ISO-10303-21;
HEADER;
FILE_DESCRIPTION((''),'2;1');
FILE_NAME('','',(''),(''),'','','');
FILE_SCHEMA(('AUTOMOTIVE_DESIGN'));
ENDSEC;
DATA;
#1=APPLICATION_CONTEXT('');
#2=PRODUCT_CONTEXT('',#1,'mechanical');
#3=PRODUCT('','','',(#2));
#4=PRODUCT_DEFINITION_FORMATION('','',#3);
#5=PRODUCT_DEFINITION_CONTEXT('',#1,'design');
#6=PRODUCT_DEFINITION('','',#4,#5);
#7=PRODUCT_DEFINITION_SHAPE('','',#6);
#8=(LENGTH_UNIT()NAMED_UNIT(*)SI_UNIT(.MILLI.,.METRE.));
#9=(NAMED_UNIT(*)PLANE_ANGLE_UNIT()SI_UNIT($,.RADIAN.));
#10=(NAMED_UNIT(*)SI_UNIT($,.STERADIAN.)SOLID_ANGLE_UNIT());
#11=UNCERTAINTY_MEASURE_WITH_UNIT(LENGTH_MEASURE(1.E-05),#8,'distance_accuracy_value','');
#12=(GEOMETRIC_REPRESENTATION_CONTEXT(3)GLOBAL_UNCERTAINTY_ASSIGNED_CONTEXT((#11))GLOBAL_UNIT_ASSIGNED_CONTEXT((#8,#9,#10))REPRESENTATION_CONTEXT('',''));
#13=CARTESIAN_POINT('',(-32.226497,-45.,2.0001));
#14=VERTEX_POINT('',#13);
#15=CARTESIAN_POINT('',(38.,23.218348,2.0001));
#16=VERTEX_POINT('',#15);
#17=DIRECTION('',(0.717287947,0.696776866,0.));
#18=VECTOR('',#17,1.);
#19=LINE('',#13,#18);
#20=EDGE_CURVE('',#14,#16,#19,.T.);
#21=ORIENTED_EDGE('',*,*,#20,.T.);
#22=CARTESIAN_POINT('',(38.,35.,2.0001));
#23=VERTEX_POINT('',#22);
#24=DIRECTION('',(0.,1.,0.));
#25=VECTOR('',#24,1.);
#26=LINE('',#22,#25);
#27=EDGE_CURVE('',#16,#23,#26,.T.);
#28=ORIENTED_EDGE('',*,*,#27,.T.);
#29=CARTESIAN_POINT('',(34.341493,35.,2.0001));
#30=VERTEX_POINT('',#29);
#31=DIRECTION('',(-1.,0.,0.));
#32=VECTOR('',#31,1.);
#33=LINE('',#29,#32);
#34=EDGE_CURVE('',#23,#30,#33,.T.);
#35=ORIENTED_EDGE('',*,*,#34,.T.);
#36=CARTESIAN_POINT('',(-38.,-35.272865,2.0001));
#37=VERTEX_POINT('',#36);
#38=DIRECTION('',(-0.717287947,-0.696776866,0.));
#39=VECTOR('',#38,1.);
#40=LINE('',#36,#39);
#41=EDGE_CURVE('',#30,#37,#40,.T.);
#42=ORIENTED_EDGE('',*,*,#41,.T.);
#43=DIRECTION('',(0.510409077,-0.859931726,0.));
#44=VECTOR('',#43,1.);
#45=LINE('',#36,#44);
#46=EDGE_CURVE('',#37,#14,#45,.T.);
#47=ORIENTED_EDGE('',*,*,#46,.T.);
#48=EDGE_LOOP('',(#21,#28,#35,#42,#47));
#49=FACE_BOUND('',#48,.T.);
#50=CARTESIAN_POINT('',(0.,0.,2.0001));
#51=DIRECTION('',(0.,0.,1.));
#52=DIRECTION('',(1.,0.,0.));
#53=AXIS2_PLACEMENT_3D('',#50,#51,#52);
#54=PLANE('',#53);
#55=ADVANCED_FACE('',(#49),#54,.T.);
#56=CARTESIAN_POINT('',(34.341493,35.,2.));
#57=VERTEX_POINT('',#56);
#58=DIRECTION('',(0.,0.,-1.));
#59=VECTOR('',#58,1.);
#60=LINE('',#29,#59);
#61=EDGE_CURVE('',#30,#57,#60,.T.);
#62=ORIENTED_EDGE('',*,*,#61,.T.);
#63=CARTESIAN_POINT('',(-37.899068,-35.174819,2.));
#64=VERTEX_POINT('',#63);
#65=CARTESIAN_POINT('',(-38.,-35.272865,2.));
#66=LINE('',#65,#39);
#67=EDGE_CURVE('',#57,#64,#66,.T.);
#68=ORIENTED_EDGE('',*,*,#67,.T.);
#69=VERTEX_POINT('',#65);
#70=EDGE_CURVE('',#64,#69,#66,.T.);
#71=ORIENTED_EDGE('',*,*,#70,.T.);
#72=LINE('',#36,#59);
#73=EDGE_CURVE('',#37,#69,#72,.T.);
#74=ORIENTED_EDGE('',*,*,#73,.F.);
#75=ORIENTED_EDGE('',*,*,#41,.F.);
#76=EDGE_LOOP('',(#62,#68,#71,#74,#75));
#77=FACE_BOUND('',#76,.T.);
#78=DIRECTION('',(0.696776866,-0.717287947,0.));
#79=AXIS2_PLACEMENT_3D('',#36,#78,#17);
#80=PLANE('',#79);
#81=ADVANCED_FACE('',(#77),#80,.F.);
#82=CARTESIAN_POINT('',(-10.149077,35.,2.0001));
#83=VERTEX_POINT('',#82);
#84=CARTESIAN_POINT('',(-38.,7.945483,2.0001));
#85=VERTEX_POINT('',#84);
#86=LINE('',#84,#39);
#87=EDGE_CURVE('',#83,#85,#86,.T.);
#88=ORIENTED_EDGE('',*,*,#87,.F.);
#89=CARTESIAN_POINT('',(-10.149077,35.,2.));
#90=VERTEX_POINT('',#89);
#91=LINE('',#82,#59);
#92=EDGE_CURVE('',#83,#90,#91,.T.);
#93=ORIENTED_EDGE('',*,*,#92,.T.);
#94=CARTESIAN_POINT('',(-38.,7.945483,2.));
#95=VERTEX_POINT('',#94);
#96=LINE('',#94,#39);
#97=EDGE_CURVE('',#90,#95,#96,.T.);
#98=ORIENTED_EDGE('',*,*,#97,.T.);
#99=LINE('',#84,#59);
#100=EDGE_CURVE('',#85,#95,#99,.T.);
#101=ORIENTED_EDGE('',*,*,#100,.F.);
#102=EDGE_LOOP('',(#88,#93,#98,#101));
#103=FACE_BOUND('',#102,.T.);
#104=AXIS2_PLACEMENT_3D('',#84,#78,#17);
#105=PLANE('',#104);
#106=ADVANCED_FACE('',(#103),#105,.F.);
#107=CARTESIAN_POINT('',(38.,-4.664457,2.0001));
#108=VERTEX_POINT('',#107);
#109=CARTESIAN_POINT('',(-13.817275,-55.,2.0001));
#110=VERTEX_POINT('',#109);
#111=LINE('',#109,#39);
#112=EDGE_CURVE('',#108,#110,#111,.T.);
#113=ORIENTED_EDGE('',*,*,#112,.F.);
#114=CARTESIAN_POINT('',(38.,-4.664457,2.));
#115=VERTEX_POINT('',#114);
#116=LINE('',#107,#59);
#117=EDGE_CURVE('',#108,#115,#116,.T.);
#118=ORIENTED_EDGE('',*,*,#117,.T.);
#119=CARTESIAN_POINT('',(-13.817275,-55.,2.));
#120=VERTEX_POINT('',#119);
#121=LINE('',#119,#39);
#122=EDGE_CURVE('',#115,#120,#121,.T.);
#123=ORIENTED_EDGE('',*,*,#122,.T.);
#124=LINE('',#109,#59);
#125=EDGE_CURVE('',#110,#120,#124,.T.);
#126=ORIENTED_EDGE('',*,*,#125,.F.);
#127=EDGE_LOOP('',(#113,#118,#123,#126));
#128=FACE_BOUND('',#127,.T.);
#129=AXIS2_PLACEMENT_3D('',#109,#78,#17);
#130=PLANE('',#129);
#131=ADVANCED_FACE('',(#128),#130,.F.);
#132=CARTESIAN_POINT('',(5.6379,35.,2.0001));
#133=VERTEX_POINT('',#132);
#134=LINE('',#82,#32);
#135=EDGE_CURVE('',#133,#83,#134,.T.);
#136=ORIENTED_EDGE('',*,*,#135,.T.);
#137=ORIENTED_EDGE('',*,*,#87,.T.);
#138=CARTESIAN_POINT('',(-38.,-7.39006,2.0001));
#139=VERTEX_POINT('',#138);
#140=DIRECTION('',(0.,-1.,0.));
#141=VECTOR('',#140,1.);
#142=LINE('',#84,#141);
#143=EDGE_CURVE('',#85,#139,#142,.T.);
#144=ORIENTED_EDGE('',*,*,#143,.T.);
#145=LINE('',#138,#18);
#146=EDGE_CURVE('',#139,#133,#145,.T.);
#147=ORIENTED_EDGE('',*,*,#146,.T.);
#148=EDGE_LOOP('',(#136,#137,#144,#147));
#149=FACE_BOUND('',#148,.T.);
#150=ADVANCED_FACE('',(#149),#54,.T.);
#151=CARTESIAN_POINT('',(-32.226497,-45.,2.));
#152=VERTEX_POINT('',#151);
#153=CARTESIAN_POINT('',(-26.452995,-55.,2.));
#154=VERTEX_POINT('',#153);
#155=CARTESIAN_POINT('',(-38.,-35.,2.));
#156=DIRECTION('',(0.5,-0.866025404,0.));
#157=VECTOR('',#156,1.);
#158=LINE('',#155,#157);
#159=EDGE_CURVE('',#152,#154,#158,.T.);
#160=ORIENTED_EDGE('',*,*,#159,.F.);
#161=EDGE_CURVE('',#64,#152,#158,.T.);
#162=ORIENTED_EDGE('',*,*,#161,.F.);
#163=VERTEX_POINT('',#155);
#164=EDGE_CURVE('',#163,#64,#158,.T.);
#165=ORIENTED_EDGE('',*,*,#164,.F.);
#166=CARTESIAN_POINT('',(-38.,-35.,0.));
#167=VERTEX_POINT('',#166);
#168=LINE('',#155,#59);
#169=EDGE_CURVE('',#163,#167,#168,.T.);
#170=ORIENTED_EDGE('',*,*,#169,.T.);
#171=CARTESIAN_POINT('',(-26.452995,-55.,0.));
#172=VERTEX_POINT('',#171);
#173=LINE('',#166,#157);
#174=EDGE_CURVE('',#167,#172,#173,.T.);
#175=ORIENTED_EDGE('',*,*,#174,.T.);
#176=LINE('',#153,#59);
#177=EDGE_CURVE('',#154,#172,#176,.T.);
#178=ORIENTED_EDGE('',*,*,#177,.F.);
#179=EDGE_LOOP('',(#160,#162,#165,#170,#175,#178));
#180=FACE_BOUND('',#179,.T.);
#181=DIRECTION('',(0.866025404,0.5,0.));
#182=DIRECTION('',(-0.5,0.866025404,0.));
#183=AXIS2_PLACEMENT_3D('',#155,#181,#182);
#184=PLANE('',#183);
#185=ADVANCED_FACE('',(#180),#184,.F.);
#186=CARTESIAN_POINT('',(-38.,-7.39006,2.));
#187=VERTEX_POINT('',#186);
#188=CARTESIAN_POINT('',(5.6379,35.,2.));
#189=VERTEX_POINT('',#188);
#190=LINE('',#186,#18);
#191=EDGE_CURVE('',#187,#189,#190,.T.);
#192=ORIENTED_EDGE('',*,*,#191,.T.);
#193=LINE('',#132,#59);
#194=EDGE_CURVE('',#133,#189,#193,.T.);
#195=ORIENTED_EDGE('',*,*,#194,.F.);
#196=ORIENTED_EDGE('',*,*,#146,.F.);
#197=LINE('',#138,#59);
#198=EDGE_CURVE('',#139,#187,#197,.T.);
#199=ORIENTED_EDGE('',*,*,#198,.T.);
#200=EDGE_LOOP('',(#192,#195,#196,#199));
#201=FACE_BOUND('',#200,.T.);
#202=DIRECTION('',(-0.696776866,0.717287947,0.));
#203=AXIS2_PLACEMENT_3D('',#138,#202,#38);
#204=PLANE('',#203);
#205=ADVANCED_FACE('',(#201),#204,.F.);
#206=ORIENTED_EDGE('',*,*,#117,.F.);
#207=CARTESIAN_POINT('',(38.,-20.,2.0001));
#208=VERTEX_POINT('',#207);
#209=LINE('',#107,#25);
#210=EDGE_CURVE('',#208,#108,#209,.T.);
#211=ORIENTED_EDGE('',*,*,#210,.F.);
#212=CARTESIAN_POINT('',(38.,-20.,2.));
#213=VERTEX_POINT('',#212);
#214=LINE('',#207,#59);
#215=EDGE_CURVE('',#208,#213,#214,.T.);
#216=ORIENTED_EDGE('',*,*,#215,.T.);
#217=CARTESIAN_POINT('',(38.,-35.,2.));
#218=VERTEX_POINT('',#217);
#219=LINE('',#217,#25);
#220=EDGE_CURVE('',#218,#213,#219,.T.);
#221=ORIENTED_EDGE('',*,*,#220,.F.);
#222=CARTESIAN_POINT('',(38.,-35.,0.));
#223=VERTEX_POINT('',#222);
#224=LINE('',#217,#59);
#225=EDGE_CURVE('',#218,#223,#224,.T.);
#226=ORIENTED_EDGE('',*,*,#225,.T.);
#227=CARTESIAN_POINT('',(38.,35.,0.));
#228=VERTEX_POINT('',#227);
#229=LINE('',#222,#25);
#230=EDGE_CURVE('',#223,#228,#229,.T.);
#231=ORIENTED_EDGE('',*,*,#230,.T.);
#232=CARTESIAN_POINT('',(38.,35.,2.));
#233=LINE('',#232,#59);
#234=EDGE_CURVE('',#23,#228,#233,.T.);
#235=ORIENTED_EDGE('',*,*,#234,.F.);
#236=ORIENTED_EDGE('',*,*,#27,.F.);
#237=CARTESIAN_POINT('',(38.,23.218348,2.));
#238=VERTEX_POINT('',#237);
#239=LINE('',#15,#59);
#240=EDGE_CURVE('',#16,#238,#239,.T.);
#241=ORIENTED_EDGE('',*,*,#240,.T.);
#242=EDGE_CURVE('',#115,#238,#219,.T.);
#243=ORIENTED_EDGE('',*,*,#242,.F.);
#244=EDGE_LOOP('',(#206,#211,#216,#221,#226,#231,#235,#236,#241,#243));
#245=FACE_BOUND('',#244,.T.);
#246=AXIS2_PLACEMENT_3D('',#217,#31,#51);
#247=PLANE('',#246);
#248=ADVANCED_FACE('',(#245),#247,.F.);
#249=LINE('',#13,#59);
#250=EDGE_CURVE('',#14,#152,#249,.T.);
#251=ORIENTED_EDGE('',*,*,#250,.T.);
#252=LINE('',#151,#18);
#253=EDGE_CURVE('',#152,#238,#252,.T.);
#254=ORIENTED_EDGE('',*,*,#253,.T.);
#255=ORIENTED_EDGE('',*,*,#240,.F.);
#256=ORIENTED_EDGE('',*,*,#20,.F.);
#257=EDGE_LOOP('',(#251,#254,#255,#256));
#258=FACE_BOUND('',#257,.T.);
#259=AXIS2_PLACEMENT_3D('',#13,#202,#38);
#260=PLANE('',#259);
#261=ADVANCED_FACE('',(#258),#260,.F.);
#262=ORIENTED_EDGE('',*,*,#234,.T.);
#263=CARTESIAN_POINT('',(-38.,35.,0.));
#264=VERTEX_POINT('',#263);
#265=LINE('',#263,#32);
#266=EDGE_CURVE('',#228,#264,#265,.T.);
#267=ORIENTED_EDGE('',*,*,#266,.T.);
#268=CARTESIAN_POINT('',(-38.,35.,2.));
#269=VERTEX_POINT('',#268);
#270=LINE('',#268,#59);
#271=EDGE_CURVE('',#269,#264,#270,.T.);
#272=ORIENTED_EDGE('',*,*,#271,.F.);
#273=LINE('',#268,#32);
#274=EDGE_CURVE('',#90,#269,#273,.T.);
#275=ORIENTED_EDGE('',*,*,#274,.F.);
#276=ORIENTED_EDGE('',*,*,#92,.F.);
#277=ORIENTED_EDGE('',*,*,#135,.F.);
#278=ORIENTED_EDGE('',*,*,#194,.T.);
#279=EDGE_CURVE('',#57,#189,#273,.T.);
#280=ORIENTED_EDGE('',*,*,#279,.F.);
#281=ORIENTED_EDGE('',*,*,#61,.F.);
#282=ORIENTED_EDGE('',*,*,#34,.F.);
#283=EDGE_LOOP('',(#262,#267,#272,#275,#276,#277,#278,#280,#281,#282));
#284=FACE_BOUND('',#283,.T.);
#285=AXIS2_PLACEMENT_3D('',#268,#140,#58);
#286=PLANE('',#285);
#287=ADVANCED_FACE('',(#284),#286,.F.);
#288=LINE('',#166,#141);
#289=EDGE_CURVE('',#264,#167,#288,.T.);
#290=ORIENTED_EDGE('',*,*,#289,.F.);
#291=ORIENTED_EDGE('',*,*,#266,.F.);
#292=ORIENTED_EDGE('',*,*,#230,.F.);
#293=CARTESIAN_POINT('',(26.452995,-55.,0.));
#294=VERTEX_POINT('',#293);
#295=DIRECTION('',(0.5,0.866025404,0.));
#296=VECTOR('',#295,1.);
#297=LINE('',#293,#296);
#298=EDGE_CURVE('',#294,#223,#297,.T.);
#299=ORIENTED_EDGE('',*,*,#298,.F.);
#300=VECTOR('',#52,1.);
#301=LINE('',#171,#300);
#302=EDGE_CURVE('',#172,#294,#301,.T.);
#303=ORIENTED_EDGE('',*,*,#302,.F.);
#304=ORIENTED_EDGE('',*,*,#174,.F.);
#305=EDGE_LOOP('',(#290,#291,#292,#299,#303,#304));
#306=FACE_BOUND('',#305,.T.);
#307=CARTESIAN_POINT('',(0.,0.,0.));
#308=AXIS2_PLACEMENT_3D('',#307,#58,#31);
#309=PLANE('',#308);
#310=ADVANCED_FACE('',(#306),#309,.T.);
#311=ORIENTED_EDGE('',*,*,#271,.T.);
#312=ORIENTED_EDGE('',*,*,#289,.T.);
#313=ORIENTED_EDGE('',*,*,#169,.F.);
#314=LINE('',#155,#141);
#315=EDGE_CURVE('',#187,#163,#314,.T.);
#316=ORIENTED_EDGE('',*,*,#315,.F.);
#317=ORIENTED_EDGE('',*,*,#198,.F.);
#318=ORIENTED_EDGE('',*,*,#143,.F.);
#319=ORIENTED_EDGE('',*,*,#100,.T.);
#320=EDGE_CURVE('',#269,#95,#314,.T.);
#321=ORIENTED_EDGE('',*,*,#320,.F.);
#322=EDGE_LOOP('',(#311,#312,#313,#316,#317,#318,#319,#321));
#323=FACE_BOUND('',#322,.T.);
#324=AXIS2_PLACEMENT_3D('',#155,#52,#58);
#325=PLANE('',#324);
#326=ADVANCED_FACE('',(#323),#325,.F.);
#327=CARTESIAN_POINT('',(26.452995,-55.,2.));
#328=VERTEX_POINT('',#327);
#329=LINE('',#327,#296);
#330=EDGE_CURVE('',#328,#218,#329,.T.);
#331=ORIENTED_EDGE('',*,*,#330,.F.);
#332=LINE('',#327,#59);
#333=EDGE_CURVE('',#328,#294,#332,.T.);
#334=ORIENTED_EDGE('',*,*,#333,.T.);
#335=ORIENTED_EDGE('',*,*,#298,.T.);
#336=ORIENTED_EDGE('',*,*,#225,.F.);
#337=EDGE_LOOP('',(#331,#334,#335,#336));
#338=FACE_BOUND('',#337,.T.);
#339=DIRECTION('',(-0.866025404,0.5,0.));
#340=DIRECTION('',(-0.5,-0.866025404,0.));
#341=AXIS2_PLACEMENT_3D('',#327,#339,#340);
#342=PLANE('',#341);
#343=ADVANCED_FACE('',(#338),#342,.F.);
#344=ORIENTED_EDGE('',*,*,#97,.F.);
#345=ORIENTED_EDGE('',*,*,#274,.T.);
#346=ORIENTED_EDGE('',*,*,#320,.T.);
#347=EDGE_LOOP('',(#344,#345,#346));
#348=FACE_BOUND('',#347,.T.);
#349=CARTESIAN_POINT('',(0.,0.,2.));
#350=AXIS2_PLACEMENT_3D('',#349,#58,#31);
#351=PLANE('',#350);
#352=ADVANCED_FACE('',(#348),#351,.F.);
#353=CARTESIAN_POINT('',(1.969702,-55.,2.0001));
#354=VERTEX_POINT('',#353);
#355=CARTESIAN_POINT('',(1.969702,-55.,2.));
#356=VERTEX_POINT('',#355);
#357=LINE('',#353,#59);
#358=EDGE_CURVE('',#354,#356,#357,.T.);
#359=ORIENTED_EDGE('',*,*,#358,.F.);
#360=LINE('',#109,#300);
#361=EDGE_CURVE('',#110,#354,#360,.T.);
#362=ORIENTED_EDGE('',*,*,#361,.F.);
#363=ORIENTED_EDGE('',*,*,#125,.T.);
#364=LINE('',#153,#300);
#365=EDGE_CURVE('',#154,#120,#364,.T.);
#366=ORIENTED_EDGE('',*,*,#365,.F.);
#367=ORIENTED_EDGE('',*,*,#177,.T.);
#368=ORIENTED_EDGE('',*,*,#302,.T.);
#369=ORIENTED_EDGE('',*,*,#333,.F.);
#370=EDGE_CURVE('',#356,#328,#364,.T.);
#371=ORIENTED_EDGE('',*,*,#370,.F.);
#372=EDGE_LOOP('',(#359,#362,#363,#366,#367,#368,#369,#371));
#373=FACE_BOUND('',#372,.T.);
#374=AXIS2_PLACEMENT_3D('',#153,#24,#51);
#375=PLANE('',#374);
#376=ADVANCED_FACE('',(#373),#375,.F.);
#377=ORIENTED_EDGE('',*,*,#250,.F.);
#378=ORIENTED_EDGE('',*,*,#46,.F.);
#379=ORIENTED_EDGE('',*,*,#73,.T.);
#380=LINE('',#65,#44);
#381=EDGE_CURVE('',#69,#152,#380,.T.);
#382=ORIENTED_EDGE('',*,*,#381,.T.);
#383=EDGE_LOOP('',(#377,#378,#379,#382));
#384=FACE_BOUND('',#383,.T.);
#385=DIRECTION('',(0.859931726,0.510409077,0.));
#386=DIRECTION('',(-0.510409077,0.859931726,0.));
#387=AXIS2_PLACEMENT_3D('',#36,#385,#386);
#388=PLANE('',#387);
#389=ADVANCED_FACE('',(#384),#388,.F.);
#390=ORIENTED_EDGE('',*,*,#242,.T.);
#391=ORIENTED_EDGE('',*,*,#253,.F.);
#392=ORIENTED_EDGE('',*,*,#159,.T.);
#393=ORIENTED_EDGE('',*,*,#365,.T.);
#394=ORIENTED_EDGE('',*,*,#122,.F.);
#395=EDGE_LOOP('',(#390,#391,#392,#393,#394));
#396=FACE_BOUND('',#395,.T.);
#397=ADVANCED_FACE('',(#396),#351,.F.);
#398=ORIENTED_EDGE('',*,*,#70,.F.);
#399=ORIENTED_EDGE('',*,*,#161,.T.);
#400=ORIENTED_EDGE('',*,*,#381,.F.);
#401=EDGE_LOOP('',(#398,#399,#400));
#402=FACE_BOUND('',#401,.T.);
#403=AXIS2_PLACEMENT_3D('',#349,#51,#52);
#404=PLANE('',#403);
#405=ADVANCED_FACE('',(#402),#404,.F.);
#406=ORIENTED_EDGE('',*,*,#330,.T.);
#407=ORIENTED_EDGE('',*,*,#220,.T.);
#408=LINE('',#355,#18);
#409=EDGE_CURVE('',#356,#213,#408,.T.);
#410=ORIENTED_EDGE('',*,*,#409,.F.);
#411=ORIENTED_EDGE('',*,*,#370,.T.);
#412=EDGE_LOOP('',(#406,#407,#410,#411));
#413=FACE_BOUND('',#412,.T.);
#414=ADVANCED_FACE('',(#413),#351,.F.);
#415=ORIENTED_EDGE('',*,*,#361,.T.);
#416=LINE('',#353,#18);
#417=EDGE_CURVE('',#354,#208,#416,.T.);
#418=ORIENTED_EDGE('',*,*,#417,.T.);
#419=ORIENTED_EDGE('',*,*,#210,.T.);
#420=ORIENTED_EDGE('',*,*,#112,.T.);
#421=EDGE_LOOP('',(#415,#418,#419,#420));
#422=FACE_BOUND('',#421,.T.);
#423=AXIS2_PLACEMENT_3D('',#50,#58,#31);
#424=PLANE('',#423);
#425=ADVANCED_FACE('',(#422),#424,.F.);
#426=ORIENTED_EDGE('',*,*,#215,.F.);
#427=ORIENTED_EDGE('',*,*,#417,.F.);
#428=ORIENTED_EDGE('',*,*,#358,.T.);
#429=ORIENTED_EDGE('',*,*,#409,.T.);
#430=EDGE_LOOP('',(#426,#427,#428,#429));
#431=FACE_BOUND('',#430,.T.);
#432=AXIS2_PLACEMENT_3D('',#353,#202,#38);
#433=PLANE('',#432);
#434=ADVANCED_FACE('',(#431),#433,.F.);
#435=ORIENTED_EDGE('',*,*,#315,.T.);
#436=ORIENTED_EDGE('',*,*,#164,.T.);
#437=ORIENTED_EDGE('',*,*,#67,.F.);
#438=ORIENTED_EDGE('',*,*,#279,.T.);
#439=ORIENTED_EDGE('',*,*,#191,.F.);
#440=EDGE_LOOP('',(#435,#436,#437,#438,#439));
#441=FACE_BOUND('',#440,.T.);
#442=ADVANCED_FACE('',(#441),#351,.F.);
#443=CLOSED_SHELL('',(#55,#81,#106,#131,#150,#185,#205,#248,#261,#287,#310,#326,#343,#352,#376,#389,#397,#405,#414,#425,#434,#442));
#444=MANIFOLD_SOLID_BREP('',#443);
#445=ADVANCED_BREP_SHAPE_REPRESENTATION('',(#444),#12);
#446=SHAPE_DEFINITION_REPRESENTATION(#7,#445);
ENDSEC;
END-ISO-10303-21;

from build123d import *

# Parameters (mm, degrees)
BOSS_EXTRUDE1_DEPTH = 2
BOSS_EXTRUDE2_DEPTH = 0.0001


with BuildPart() as part:
    # Sketch1 → Boss-Extrude1 (new body)
    with BuildSketch(Plane.XY):
        Polygon((-38, -35), (-26.452994616, -55), (26.452994616, -55), (38, -35), (38, 35), (-38, 35), align=None)
    extrude(amount=BOSS_EXTRUDE1_DEPTH)

    # Sketch2 → Boss-Extrude2 (add)
    with BuildSketch(Plane.XY.offset(2)):
        Polygon((-38, 7.945483094), (-10.149076909, 35), (5.637899584, 35), (-38, -7.390059683), align=None)
        Polygon((-38, -35.272864732), (34.341493208, 35), (38, 35), (38, 23.218347826), (-32.226497308, -45), align=None)
        Polygon((-13.81727456, -55), (38, -4.664457223), (38, -20), (1.969701933, -55), align=None)
    extrude(amount=BOSS_EXTRUDE2_DEPTH)


solid = part.part
